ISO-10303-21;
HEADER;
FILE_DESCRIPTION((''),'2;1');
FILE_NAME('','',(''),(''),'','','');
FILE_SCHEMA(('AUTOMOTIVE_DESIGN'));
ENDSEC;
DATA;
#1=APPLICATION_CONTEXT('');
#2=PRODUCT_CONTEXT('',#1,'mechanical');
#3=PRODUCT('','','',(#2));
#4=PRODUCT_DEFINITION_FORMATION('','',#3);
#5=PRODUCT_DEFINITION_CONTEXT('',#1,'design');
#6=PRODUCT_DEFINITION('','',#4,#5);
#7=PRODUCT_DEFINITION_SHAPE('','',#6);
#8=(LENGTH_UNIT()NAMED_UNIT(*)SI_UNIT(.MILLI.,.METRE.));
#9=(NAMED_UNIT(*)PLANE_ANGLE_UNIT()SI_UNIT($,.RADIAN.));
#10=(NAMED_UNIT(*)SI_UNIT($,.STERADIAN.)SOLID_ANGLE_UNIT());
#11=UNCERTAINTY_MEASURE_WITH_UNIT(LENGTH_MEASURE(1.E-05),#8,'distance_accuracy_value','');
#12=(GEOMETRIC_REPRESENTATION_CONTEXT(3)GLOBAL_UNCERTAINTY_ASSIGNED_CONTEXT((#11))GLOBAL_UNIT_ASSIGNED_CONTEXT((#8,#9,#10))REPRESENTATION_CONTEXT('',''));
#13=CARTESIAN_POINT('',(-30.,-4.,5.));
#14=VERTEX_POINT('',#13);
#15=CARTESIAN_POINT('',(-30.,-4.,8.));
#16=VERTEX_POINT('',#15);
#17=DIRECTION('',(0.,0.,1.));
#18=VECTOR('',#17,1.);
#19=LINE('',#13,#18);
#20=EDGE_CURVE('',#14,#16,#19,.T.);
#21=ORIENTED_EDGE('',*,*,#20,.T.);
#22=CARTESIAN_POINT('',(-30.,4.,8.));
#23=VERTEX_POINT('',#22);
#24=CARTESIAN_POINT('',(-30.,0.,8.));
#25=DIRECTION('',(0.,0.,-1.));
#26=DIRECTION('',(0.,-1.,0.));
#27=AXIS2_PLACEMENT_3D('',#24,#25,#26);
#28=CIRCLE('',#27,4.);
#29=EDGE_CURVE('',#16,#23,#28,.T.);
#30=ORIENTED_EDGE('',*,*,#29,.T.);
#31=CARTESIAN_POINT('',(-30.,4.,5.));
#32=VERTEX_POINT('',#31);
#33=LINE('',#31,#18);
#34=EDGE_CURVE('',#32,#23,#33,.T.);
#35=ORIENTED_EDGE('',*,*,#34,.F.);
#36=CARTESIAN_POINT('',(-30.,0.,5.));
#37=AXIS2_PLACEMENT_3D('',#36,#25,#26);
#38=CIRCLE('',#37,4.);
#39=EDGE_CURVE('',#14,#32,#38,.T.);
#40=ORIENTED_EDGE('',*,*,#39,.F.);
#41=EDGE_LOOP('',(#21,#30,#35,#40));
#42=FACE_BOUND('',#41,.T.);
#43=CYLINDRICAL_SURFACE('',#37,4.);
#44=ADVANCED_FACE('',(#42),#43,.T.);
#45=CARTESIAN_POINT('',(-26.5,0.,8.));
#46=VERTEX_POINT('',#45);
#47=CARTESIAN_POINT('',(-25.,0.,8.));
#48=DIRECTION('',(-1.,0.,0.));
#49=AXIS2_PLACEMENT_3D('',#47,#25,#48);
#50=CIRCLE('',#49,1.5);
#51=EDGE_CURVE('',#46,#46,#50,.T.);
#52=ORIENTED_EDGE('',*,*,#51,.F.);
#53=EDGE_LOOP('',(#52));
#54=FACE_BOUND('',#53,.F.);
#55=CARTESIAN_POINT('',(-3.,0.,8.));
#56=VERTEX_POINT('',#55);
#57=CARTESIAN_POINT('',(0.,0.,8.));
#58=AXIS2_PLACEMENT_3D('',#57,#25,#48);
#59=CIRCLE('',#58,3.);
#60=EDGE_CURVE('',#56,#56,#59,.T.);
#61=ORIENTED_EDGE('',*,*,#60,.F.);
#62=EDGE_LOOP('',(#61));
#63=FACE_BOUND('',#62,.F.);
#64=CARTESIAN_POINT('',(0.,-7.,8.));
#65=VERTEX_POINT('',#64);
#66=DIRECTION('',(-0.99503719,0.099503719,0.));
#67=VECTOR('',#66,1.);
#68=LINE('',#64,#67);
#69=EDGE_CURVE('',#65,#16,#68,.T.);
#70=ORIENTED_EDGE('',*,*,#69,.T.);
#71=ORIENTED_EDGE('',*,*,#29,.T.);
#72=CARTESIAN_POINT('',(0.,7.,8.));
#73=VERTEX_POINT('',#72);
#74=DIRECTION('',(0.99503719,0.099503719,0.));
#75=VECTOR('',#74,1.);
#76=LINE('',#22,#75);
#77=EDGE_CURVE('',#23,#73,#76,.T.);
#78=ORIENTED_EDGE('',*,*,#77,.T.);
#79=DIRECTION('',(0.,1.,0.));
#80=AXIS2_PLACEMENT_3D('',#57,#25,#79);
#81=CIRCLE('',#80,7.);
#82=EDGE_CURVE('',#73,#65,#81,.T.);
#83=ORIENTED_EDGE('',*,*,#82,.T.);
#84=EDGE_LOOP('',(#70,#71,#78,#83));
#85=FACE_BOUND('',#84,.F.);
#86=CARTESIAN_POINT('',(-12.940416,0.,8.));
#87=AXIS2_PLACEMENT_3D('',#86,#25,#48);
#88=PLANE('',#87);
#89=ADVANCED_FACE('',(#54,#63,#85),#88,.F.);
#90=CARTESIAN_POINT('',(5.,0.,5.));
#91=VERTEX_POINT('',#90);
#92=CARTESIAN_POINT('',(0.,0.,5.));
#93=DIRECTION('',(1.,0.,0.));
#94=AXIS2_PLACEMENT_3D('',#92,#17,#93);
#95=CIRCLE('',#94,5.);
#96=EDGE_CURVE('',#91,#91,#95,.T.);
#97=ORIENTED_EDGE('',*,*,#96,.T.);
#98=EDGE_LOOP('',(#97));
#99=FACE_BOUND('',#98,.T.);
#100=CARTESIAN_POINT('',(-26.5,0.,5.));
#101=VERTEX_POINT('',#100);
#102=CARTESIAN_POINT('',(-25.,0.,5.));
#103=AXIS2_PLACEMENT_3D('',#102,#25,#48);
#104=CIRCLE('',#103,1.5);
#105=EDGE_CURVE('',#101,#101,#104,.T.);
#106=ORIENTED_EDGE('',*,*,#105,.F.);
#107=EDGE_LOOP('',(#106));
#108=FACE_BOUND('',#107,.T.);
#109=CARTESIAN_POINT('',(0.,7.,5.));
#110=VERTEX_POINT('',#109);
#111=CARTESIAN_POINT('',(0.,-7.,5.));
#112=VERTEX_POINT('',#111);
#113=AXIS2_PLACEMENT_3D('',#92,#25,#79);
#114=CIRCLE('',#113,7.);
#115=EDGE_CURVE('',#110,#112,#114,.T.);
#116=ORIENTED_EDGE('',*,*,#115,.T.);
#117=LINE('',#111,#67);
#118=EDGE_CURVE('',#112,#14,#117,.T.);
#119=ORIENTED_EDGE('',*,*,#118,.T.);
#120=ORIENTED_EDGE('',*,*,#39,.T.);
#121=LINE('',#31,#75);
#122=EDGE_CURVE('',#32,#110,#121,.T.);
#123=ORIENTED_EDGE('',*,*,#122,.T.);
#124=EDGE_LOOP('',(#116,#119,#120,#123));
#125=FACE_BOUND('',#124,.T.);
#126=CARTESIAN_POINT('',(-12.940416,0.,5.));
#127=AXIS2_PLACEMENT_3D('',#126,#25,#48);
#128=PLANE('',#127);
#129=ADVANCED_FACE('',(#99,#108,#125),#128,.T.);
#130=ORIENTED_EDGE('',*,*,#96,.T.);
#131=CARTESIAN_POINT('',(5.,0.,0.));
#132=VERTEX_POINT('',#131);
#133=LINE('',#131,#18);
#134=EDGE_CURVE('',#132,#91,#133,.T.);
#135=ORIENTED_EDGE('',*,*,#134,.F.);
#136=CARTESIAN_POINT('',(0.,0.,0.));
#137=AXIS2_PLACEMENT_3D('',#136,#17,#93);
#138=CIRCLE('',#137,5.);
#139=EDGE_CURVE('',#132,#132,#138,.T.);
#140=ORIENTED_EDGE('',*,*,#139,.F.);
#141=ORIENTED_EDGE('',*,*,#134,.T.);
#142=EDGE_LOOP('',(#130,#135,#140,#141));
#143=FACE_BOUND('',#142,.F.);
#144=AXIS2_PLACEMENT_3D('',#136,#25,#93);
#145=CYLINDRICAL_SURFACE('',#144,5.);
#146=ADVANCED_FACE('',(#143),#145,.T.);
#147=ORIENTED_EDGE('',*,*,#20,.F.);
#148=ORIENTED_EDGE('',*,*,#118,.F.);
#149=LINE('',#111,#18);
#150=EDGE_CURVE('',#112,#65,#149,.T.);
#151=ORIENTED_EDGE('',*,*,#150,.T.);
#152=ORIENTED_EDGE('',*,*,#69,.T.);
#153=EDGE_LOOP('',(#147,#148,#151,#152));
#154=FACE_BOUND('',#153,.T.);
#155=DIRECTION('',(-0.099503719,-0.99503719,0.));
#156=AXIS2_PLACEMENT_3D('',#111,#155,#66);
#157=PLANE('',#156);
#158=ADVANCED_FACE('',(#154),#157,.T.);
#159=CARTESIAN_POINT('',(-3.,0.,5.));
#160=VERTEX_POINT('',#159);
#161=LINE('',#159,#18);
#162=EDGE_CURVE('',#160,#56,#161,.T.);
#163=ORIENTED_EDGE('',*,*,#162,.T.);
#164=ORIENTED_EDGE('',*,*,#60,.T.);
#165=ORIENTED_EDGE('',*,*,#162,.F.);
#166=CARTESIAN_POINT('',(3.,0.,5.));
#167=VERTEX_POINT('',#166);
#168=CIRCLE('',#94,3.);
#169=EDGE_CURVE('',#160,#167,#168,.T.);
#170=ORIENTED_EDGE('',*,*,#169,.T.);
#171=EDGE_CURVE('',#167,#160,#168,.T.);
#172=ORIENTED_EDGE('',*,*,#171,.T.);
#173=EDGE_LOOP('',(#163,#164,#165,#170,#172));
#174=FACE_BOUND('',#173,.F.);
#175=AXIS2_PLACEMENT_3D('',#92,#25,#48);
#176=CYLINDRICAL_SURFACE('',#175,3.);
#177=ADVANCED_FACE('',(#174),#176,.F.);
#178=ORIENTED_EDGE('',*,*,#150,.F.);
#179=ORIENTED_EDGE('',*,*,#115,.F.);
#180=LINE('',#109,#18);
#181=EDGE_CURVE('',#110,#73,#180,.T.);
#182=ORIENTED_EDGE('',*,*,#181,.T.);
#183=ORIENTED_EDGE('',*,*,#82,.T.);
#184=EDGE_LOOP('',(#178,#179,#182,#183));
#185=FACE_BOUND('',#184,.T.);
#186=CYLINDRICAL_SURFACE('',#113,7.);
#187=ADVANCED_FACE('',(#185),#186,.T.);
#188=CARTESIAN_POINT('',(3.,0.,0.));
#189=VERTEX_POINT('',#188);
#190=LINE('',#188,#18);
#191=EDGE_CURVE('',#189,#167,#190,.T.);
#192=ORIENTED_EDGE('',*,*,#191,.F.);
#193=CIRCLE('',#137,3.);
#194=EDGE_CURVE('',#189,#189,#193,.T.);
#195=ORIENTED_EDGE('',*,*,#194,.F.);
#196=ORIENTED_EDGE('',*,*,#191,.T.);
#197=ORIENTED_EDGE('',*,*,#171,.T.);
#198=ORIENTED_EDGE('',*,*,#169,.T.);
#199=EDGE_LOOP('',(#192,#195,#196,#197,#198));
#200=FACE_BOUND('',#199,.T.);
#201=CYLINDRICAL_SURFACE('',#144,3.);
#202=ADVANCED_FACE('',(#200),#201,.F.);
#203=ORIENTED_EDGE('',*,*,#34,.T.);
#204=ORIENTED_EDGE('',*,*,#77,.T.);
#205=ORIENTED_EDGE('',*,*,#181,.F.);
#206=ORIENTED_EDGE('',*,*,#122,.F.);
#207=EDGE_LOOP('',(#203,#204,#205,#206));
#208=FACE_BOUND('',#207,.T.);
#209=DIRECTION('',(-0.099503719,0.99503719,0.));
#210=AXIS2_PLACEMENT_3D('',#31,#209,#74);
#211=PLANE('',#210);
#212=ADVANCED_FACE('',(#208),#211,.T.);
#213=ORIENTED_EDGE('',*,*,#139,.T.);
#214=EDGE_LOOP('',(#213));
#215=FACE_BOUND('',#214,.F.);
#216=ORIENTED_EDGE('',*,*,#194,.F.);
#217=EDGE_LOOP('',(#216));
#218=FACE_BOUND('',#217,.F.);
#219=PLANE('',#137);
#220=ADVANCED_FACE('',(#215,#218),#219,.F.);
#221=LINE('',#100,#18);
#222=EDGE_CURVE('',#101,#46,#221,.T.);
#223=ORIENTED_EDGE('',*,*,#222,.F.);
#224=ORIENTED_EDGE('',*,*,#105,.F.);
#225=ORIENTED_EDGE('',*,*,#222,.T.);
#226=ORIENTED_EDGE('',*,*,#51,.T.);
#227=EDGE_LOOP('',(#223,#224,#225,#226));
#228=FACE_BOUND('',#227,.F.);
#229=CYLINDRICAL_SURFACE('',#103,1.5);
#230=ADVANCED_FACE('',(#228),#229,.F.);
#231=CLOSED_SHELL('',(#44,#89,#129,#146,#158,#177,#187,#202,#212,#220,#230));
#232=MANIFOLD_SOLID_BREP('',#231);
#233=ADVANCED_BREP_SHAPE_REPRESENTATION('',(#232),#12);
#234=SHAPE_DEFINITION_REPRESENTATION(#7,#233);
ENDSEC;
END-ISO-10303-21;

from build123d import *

# Parameters (mm, degrees)
SKETCH1_R           = 5
SKETCH1_R_2         = 3
BOSS_EXTRUDE1_DEPTH = 5
BOSS_EXTRUDE2_DEPTH = 3
SKETCH3_R           = 1.5
CUT_EXTRUDE1_DEPTH  = 3
SKETCH4_R           = 3
CUT_EXTRUDE2_DEPTH  = 3


with BuildPart() as part:
    # Sketch1 → Boss-Extrude1 (new body)
    with BuildSketch(Plane.XY):
        Circle(SKETCH1_R)
        Circle(SKETCH1_R_2, mode=Mode.SUBTRACT)
    extrude(amount=BOSS_EXTRUDE1_DEPTH)

    # Sketch2 → Boss-Extrude2 (add)
    with BuildSketch(Plane.XY.offset(5)):
        with BuildLine():
            Line((-30, 4), (0, 7))
            ThreePointArc((0, 7), (7, 0), (0, -7))
            Line((0, -7), (-30, -4))
            ThreePointArc((-30, -4), (-34, 0), (-30, 4))
        make_face()
    extrude(amount=BOSS_EXTRUDE2_DEPTH)

    # Sketch3 → Cut-Extrude1 (cut)
    with BuildSketch(Plane(origin=(0, 0, 5), x_dir=(-1, 0, 0), z_dir=(0, 0, -1))):
        with Locations((25, 0)):
            Circle(SKETCH3_R)
    extrude(amount=-CUT_EXTRUDE1_DEPTH, mode=Mode.SUBTRACT)

    # Sketch4 → Cut-Extrude2 (cut)
    with BuildSketch(Plane(origin=(0, 0, 5), x_dir=(-1, 0, 0), z_dir=(0, 0, -1))):
        Circle(SKETCH4_R)
    extrude(amount=-CUT_EXTRUDE2_DEPTH, mode=Mode.SUBTRACT)


solid = part.part
